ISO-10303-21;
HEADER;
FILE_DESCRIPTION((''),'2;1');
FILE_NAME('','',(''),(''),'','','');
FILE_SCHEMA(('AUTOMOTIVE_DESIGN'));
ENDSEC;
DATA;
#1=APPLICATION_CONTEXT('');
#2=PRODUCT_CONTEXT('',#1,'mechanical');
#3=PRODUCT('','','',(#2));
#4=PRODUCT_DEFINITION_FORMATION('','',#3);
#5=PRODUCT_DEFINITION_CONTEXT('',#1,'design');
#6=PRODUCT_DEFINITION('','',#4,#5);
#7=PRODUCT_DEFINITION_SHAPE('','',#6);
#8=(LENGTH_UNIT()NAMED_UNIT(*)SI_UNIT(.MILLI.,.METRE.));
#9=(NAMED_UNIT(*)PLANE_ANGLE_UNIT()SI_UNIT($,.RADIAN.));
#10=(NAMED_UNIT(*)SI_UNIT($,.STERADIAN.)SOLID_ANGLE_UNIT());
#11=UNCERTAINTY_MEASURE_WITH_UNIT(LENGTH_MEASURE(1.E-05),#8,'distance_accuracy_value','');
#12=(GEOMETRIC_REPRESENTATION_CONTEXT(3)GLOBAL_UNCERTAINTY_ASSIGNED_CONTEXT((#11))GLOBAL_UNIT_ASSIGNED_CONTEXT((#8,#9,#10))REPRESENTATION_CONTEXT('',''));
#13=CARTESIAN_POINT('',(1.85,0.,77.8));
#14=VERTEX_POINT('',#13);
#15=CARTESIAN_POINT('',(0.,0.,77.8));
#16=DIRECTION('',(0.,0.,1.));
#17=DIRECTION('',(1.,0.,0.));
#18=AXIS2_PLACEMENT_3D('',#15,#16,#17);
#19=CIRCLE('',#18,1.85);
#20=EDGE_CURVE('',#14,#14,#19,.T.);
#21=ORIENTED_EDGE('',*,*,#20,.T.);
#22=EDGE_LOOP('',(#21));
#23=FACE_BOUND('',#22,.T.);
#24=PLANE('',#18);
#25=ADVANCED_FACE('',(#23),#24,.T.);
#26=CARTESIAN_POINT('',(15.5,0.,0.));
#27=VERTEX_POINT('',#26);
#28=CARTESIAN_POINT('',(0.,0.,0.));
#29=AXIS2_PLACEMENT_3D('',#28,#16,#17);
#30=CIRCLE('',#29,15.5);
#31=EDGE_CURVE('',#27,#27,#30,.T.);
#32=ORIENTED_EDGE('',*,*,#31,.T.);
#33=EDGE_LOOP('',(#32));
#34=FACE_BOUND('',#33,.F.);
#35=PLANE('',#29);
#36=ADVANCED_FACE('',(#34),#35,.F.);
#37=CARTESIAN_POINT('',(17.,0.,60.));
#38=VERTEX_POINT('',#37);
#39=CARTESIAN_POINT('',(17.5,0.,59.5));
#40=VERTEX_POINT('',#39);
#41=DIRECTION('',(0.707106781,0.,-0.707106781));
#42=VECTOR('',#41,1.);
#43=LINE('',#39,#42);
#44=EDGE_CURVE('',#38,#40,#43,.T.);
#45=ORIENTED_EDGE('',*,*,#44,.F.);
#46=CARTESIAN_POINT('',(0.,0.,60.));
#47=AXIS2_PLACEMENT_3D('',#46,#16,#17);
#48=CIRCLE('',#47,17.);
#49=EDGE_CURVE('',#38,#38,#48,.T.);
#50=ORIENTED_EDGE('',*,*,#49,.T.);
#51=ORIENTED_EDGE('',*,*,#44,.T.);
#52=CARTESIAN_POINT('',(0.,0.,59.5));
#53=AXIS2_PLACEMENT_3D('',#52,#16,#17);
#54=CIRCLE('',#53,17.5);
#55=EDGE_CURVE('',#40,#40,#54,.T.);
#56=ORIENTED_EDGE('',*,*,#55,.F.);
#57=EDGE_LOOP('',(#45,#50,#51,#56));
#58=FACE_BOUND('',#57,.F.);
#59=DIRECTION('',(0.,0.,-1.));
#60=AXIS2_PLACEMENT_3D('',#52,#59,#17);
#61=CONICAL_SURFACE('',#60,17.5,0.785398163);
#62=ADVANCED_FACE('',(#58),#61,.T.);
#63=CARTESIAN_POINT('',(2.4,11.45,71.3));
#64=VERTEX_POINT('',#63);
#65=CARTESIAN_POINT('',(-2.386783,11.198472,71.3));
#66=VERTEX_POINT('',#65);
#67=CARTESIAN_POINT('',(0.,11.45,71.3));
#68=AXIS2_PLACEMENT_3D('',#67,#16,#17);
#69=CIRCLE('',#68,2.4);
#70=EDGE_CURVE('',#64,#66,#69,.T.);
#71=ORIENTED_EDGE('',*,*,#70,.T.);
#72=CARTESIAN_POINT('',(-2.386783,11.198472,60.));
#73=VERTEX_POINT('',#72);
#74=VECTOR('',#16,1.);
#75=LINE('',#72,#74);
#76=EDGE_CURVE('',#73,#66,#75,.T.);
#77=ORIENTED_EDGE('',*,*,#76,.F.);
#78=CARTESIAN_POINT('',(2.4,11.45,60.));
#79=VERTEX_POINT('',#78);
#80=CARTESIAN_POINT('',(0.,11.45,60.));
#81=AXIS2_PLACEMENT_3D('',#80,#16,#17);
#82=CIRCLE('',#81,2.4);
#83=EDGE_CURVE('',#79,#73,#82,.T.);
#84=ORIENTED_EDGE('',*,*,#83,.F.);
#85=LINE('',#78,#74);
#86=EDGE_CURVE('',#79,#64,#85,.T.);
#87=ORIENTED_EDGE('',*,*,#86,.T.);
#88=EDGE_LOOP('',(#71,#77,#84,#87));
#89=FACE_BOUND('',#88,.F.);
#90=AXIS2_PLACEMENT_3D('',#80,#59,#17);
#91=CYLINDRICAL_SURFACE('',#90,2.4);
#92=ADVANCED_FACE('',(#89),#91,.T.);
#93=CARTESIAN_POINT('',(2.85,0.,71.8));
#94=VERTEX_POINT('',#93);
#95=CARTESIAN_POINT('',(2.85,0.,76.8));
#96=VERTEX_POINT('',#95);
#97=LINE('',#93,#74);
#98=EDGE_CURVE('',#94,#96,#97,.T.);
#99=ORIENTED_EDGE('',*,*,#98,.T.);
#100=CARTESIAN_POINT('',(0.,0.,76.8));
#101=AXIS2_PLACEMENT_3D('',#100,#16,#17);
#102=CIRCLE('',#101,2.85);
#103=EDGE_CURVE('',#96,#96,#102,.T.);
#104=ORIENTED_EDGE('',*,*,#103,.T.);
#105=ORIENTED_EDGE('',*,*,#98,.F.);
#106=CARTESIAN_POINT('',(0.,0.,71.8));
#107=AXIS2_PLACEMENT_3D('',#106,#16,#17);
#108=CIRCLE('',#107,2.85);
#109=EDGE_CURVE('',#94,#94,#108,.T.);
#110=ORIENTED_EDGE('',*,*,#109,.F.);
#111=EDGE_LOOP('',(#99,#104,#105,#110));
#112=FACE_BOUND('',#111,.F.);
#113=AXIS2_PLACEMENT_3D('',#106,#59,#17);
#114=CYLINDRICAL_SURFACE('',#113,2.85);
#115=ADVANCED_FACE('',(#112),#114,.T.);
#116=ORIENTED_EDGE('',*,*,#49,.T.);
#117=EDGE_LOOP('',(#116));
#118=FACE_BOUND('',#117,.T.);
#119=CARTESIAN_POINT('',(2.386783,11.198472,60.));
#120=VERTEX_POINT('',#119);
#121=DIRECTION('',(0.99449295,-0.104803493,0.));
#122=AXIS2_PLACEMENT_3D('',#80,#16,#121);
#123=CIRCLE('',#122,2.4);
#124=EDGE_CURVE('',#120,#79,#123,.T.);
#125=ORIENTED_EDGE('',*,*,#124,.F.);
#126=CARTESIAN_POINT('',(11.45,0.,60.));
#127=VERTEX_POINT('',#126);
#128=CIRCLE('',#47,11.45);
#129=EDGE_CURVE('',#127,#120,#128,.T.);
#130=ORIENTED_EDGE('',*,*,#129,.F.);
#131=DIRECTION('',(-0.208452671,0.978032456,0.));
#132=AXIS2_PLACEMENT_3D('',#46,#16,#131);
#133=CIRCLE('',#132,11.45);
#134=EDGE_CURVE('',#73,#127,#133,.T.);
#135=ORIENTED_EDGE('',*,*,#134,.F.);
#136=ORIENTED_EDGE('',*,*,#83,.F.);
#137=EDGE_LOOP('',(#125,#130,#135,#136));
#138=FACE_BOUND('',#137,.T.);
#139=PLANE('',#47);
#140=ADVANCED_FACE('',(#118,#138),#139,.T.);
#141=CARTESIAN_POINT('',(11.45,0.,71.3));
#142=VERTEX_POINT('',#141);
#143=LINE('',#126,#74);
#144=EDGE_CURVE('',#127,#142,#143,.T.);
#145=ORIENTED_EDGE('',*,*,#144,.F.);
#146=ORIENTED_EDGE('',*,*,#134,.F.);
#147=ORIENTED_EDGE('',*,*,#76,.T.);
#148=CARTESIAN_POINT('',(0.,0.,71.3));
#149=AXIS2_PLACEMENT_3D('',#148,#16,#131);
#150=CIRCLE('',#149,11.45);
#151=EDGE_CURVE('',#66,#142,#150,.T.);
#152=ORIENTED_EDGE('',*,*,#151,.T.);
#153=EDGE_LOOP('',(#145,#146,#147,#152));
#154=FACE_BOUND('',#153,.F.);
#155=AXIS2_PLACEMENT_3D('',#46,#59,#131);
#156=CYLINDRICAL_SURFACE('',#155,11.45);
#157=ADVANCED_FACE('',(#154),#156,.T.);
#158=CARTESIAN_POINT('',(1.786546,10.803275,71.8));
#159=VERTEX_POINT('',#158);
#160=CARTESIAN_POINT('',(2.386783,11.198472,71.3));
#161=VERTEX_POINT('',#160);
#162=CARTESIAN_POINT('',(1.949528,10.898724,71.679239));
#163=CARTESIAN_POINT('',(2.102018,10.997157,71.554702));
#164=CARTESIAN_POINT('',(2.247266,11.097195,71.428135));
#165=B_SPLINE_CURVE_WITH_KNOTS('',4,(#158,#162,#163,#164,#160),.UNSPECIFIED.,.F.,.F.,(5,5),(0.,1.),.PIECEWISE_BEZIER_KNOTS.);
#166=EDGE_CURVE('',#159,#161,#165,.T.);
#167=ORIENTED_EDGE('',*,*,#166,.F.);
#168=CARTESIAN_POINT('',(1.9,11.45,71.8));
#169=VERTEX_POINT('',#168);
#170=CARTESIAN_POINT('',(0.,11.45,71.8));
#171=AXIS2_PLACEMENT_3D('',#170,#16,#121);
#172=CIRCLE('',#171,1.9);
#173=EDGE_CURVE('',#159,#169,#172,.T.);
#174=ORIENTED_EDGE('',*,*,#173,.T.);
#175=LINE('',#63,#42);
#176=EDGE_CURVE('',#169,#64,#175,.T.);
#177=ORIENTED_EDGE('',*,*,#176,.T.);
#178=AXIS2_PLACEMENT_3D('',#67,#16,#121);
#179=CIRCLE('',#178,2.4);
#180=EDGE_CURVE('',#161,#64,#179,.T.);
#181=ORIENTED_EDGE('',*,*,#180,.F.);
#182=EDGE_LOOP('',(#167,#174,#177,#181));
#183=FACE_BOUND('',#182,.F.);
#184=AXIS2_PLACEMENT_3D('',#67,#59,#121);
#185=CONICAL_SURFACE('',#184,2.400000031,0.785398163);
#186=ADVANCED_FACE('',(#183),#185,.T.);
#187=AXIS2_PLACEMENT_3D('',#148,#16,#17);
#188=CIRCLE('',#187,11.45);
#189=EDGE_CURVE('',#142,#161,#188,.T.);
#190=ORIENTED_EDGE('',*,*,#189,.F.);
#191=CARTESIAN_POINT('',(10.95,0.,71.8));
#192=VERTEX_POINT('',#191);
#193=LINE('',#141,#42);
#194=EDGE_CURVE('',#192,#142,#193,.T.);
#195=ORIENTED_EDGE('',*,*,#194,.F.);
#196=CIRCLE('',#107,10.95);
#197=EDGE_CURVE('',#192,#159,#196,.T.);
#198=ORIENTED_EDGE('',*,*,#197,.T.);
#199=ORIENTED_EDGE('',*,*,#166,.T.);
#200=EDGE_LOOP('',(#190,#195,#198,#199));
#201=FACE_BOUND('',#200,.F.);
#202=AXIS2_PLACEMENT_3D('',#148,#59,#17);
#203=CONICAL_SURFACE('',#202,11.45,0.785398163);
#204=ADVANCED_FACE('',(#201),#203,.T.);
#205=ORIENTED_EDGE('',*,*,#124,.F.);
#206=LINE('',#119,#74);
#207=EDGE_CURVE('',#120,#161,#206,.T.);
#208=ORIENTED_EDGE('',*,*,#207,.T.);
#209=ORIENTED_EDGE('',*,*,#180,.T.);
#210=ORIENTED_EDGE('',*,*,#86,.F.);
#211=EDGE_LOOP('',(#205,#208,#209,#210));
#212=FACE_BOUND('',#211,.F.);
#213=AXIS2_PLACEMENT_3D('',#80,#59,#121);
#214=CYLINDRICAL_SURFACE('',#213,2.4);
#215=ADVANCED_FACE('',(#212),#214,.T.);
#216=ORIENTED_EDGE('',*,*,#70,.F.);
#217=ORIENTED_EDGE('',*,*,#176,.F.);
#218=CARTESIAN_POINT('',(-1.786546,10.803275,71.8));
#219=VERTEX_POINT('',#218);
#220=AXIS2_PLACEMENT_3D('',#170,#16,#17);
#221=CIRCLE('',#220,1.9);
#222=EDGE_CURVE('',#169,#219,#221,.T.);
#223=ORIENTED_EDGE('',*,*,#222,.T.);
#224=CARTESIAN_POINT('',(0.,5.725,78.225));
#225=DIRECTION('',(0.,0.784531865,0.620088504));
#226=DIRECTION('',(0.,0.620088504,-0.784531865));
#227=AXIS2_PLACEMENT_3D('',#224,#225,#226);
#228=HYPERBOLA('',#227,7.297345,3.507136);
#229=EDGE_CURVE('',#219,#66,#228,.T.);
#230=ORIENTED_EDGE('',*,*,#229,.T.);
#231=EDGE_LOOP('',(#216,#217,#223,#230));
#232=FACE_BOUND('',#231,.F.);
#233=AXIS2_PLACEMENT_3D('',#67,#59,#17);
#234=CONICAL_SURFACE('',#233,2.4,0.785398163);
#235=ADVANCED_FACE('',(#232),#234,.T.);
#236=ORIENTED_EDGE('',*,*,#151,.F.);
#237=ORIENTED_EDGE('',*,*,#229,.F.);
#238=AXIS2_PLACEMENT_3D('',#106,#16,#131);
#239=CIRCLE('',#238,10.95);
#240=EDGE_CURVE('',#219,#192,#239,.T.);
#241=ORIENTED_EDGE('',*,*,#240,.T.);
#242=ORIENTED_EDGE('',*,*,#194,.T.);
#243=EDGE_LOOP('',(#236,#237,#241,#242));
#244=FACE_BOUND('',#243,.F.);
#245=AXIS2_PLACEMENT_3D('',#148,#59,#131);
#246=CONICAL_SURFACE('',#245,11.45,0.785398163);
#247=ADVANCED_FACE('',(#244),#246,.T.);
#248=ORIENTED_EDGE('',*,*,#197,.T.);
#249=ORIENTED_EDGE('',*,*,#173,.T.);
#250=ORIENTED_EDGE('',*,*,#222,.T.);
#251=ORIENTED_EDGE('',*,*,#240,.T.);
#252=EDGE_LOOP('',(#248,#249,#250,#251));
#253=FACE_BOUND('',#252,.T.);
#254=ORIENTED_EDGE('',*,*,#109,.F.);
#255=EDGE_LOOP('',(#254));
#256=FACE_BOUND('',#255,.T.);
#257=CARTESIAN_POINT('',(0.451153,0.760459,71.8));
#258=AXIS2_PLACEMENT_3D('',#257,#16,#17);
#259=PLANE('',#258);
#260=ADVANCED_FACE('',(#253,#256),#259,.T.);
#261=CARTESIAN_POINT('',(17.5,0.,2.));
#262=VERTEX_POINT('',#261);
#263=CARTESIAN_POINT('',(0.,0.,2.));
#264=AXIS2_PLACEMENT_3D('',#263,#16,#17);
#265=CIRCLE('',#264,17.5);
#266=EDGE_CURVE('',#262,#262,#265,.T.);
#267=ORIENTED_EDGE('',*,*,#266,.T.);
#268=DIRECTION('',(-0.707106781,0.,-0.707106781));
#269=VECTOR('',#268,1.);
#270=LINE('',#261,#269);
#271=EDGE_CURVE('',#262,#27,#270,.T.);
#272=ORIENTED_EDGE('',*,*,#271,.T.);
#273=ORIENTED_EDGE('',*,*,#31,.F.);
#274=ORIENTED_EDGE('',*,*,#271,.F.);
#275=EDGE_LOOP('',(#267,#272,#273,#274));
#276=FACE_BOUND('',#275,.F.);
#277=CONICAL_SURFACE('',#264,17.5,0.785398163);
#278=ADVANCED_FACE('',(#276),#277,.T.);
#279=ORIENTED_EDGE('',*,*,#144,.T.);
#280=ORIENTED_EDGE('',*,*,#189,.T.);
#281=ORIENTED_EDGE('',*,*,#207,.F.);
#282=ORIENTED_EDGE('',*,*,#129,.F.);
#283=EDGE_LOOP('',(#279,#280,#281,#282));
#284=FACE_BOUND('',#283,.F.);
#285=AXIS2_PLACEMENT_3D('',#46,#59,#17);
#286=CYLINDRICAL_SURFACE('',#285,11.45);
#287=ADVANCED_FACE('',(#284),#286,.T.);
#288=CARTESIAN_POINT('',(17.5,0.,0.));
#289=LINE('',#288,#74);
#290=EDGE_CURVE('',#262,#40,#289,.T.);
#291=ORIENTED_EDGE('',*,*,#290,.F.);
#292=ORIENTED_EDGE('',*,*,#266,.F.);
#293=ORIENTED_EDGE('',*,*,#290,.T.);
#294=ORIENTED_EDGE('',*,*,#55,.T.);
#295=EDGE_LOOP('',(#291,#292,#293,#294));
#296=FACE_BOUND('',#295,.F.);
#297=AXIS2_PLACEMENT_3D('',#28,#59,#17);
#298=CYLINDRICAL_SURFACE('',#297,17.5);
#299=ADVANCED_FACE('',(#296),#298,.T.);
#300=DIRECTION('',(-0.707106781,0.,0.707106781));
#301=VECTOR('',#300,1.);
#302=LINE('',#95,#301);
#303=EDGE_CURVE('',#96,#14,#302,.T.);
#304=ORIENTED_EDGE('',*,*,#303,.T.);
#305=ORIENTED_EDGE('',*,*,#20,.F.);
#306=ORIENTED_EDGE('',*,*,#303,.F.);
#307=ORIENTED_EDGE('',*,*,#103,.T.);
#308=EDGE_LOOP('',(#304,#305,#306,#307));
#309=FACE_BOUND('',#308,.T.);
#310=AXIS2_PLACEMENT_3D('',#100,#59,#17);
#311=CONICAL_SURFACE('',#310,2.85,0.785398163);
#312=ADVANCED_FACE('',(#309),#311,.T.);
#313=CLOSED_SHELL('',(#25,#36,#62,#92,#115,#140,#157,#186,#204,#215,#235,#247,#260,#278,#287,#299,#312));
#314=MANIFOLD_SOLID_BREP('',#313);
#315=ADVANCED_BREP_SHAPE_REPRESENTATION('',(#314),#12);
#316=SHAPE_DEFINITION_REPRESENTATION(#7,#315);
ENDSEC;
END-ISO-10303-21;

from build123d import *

# Parameters (mm, degrees)
F0_R     = 17.5
F1_DEPTH = 60
F3_DEPTH = 11.8
F4_R     = 2.85
F5_DEPTH = 6
F6_SIZE  = 1
F7_SIZE  = 0.5
F8_SIZE  = 2


with BuildPart() as f1:
    # F0 (on Top) → F1 (new body)
    with BuildSketch(Plane.XY):
        Circle(F0_R)
    extrude(amount=F1_DEPTH)

    # F2 (on face) → F3 (join)
    with BuildSketch(Plane.XY.offset(60)):
        with BuildLine():
            ThreePointArc((-2.3867830802, 11.1984716157), (-7.2032573788, -8.9003136537), (11.45, 0))
            ThreePointArc((11.45, 0), (8.9003136537, 7.2032573788), (2.3867830802, 11.1984716157))
            ThreePointArc((2.3867830802, 11.1984716157), (0, 9.05), (-2.3867830802, 11.1984716157))
        make_face()
        with BuildLine():
            ThreePointArc((-2.3867830802, 11.1984716157), (0, 9.05), (2.3867830802, 11.1984716157))
            ThreePointArc((2.3867830802, 11.1984716157), (0, 11.45), (-2.3867830802, 11.1984716157))
        make_face()
        with BuildLine():
            ThreePointArc((-2.3867830802, 11.1984716157), (0, 11.45), (2.3867830802, 11.1984716157))
            ThreePointArc((2.3867830802, 11.1984716157), (2.3966934923, 11.324062302), (2.4, 11.45))
            ThreePointArc((2.4, 11.45), (-0.125937698, 13.8466934923), (-2.3867830802, 11.1984716157))
        make_face()
    extrude(amount=F3_DEPTH)

    # F4 (on face) → F5 (join)
    with BuildSketch(Plane.XY.offset(71.8)):
        Circle(F4_R)
    extrude(amount=F5_DEPTH)

    # F6
    f6_edges = [f1.edges().sort_by_distance(p)[0] for p in [
        (-2.85, 0, 77.8),
    ]]
    chamfer(f6_edges, length=F6_SIZE)

    # F7
    f7_edges = [f1.edges().sort_by_distance(p)[0] for p in [
        (0, -11.45, 71.8),
        (0, 13.85, 71.8),
        (-17.5, 0, 60),
    ]]
    chamfer(f7_edges, length=F7_SIZE)

    # F8
    f8_edges = [f1.edges().sort_by_distance(p)[0] for p in [
        (-17.5, 0, 0),
    ]]
    chamfer(f8_edges, length=F8_SIZE)


solid = f1.part
